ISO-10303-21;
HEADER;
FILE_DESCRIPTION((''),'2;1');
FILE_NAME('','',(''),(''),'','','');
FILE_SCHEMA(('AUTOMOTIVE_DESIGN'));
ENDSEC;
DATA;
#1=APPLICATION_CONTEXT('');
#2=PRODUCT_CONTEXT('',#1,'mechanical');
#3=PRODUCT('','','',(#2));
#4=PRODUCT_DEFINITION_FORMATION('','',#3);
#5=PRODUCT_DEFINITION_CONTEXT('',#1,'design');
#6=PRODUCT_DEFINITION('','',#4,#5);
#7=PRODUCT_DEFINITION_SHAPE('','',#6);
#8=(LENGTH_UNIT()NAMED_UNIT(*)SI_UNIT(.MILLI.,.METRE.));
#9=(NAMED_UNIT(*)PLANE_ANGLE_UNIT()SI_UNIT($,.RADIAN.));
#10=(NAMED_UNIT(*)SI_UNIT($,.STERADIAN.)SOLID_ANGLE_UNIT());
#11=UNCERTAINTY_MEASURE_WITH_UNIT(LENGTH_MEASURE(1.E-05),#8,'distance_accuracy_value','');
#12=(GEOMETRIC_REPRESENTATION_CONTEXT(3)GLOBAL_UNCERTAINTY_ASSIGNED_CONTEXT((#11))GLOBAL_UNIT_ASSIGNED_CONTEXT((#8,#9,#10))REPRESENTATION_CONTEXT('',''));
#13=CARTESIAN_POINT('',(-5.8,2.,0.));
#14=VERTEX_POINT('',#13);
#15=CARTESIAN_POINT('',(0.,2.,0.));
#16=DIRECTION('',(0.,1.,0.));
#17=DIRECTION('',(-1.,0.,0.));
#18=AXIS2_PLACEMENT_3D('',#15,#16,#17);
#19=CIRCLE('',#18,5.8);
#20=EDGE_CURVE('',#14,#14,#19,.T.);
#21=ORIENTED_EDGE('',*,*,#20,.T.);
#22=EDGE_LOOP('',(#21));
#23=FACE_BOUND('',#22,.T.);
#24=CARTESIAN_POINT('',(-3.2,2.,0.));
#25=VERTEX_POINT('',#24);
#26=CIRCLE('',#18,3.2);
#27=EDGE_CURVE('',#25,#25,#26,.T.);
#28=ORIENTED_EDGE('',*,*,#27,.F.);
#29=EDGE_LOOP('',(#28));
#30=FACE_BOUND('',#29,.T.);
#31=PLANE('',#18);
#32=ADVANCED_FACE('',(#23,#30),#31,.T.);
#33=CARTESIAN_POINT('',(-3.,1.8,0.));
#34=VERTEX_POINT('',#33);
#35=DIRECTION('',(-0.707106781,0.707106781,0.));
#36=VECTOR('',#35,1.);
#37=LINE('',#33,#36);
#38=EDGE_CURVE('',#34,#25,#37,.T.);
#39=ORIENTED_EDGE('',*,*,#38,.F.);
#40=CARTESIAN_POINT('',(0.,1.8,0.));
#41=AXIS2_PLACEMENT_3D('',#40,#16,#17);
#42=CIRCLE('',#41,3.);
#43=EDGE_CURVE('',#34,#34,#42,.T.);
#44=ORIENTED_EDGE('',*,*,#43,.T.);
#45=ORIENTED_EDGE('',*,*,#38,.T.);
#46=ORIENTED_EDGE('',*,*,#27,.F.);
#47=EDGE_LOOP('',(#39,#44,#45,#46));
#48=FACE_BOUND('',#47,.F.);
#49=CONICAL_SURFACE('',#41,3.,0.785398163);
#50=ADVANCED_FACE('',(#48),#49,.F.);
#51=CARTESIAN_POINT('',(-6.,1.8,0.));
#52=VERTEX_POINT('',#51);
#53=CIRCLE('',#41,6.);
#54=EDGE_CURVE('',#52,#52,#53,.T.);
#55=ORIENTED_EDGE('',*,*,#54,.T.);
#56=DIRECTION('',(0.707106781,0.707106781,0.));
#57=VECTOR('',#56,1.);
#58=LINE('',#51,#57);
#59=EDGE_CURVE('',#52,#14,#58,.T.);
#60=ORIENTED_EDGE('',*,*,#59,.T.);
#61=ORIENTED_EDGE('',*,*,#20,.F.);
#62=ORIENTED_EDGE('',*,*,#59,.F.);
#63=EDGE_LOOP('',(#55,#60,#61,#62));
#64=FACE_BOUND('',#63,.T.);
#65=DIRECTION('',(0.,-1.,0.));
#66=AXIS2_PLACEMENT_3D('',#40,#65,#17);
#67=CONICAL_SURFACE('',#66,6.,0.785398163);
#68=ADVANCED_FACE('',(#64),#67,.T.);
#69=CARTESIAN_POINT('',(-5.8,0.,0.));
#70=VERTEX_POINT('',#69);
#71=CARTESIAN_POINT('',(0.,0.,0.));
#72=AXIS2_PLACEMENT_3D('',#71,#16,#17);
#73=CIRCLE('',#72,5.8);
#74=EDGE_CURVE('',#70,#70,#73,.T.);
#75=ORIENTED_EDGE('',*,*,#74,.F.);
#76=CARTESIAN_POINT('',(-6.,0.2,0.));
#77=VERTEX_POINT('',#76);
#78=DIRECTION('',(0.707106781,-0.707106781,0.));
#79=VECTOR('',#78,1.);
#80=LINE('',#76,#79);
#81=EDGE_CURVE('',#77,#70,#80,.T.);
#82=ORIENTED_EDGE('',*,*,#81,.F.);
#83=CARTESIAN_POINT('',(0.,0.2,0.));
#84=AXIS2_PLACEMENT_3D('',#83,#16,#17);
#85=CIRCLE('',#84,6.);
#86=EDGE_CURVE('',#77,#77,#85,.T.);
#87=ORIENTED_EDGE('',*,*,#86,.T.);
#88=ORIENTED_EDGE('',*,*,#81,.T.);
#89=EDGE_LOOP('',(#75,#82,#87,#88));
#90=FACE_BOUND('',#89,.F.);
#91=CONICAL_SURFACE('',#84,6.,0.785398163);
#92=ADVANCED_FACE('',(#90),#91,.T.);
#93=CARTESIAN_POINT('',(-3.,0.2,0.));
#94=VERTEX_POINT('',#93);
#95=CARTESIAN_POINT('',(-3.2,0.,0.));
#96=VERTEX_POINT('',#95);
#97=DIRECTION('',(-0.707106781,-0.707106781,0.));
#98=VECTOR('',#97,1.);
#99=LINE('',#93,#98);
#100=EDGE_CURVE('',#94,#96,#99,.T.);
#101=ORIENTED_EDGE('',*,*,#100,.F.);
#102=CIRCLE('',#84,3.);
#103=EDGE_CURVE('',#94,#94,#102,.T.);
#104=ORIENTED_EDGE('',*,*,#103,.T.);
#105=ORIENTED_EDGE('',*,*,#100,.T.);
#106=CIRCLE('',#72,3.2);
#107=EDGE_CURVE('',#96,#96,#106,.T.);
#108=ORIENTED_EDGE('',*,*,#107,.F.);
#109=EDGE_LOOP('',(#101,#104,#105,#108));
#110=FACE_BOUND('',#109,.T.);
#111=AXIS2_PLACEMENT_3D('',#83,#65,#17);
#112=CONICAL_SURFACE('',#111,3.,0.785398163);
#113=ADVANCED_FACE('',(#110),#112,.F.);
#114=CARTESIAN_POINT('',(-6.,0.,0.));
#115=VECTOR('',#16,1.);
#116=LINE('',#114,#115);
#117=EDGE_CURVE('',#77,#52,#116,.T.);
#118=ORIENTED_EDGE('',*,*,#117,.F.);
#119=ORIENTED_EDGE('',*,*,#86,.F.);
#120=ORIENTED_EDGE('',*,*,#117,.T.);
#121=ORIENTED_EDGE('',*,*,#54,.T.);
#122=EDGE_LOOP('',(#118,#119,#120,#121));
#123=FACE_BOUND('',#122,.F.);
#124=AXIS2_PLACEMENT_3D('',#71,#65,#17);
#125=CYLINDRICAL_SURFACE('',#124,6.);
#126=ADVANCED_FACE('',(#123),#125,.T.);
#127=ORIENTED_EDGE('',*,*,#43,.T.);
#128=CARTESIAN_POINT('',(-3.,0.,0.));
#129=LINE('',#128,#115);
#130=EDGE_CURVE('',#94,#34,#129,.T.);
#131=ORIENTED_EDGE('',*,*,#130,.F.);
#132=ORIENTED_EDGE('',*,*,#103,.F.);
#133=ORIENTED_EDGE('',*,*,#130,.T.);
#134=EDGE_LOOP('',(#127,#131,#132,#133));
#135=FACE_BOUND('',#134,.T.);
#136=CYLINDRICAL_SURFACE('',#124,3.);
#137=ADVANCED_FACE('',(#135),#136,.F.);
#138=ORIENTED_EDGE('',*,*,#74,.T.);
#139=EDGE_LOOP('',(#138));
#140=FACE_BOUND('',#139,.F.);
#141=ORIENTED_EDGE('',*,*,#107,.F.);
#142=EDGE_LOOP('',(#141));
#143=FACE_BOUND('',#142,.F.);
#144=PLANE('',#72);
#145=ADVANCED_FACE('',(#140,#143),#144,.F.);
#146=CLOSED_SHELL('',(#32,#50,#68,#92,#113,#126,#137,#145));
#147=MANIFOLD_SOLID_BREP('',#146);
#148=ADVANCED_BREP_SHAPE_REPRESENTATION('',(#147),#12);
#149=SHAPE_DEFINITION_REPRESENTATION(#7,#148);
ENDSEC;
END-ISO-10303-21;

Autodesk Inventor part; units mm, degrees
ref_plane "YZ Plane" through (0, 0, 0) normal (1, 0, 0) x (0, 1, 0)
ref_plane "XZ Plane" through (0, 0, 0) normal (0, 1, 0) x (-1, 0, 0)
ref_plane "XY Plane" through (0, 0, 0) normal (0, 0, 1) x (1, 0, 0)
sketch "Sketch1" plane through (0, 0, 0) normal (0, 1, 0) x (-1, 0, 0)
  circle A0 centre (0, 0) radius 6
  circle A1 centre (0, 0) radius 3
  dimension "Diameter" = 12
  dimension "d1" = 6
extrude "Extrusion1" add sketch "Sketch1" along normal blind 2
chamfer "Chamfer1" distance 0.2 angle 45 4 edges at (6, 2, 0) (3, 2, 0) (6, 0, 0) (3, 0, 0)
properties part number "6mm Washer" material "Mild Steel S355 J2"
